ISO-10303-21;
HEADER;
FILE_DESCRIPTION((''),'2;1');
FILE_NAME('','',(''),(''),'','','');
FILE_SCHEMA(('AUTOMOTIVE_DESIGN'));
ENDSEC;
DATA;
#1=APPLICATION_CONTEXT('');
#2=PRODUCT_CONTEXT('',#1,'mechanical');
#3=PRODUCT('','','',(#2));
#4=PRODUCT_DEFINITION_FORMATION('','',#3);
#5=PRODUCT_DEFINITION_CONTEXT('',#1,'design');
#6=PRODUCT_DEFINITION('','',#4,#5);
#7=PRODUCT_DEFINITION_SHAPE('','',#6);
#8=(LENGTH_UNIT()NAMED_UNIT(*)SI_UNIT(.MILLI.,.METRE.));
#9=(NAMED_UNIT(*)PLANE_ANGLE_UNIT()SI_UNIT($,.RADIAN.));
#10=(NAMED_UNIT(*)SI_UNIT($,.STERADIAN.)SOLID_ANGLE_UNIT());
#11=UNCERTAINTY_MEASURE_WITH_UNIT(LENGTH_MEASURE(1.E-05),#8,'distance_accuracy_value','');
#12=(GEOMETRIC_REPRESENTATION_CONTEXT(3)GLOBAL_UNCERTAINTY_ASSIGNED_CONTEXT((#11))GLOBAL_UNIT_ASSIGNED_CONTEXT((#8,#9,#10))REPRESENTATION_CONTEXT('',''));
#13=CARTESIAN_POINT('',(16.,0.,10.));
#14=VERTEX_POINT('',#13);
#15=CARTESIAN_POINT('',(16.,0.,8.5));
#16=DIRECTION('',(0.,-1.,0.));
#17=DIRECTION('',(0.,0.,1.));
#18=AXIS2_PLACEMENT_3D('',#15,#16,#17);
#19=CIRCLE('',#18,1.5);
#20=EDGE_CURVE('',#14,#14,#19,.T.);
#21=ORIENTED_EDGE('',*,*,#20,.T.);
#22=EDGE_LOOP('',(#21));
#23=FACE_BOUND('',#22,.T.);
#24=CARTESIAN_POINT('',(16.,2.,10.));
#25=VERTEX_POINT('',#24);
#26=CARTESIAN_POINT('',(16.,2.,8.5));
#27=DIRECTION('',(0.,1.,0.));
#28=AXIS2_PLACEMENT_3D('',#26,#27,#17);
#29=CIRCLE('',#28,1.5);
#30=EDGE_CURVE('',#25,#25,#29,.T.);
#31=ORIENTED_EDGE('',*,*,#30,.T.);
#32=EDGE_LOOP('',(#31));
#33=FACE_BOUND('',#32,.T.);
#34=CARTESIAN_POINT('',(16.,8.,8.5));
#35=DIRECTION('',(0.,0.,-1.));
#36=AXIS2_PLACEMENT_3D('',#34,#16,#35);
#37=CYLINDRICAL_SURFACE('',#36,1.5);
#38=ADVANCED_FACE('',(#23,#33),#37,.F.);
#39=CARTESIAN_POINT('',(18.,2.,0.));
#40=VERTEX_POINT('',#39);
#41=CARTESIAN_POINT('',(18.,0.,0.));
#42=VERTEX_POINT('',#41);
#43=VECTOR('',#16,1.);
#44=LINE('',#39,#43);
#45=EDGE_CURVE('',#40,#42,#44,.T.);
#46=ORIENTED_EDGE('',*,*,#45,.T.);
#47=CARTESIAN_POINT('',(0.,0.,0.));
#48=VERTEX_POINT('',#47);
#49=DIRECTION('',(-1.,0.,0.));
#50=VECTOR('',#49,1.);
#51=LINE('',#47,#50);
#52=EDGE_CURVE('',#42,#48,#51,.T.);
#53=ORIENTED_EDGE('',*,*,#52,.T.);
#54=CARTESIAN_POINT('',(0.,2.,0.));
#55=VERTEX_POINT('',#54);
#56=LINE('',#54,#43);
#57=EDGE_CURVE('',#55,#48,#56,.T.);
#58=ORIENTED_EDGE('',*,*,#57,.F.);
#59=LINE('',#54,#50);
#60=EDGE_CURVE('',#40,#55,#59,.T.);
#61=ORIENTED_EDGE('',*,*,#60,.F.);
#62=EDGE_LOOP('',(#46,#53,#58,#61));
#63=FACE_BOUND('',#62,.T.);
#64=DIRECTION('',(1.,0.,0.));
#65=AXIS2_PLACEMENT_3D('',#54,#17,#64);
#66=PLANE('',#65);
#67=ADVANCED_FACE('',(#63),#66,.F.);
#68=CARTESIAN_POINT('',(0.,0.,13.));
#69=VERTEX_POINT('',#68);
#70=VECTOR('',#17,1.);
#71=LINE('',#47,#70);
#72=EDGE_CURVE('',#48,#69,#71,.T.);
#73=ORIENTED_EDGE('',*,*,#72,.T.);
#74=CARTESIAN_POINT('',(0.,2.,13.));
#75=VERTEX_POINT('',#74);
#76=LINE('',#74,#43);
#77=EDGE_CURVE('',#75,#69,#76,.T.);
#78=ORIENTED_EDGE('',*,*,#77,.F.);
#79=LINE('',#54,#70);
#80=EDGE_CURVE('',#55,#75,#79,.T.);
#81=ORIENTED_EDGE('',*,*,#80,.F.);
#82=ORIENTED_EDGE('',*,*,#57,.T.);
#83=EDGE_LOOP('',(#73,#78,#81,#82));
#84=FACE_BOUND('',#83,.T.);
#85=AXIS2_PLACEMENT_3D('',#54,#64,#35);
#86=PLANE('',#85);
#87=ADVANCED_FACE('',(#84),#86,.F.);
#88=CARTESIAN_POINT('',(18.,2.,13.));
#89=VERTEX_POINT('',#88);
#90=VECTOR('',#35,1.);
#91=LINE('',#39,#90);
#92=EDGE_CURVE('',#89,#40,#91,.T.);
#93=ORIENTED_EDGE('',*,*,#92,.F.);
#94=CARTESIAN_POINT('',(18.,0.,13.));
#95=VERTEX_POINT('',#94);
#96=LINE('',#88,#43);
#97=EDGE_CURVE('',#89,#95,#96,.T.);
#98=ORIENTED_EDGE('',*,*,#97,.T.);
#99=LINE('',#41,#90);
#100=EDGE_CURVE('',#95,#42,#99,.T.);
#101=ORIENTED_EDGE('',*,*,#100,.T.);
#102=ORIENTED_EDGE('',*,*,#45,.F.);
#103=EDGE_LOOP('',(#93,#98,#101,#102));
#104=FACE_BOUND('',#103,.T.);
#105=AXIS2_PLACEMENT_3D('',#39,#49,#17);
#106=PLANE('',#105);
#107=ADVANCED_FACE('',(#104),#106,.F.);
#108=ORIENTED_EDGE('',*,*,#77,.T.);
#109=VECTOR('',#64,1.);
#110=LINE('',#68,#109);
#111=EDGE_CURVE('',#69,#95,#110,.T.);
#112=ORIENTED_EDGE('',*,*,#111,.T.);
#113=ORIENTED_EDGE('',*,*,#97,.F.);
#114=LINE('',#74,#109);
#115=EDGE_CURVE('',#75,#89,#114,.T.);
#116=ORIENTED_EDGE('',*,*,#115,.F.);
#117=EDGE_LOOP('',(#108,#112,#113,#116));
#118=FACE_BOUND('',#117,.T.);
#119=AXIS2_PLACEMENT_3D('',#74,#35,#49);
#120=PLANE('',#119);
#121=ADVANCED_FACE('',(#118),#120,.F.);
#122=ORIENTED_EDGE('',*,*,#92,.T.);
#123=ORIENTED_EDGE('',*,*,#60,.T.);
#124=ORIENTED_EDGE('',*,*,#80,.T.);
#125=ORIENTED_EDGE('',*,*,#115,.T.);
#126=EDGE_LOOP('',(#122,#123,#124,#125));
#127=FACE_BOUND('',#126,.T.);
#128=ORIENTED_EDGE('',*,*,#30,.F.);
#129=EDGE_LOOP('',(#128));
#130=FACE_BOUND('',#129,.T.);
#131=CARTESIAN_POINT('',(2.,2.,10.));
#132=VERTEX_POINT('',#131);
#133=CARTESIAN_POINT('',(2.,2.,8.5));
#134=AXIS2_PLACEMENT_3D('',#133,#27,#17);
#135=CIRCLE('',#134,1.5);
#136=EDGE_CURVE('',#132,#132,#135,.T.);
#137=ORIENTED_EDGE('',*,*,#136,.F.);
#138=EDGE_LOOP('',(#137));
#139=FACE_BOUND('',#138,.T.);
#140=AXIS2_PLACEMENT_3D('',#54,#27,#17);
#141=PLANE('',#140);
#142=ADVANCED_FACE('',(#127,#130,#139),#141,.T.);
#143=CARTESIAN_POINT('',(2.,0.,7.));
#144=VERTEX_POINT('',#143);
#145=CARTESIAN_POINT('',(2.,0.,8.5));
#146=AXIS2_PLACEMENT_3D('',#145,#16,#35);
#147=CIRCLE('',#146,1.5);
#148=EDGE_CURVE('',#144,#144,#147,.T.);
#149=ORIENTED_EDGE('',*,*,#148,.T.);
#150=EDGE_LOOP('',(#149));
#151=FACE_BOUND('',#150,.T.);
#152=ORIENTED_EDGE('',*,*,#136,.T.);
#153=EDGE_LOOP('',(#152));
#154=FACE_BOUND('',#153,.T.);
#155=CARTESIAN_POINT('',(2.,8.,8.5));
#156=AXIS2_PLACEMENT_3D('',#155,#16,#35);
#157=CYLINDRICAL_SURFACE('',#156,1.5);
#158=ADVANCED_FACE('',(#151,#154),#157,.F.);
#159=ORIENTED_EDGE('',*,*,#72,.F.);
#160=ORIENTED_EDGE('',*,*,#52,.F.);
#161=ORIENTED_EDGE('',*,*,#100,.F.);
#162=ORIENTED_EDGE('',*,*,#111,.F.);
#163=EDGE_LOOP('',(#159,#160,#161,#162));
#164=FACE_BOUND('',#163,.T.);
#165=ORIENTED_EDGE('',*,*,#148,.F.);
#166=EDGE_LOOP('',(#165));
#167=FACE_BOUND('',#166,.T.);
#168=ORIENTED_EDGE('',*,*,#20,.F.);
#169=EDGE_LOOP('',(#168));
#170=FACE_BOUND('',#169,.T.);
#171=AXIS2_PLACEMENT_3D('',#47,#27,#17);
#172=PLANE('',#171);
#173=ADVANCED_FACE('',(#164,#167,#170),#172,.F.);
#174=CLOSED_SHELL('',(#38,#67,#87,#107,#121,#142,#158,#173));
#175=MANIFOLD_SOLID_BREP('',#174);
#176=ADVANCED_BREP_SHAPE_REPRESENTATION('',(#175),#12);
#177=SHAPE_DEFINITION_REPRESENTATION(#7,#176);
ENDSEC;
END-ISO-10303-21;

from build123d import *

# Parameters (mm, degrees)
SKETCH_1_W          = 18
SKETCH_1_H          = 13
EXTRUDE_1_DEPTH     = 2
SKETCH_3_R          = 1.5
CUT_EXTRUDE_1_DEPTH = 8


with BuildPart() as part:
    # Эскиз1 → Бобышка-Вытянуть1 (new body)
    with BuildSketch(Plane(origin=(0, 0, 0), x_dir=(1, 0, 0), z_dir=(0, 1, 0))):
        with Locations((9, -6.5)):
            Rectangle(SKETCH_1_W, SKETCH_1_H)
    extrude(amount=EXTRUDE_1_DEPTH)

    # Эскиз3 → Вырез-Вытянуть1 (cut)
    with BuildSketch(Plane.XZ):
        with Locations(Location((2, 8.5, 0), (0, 0, 270))):
            Circle(SKETCH_3_R)
        with Locations(Location((16, 8.5, 0), (0, 0, 90))):
            Circle(SKETCH_3_R)
    extrude(amount=-CUT_EXTRUDE_1_DEPTH, mode=Mode.SUBTRACT)


solid = part.part
